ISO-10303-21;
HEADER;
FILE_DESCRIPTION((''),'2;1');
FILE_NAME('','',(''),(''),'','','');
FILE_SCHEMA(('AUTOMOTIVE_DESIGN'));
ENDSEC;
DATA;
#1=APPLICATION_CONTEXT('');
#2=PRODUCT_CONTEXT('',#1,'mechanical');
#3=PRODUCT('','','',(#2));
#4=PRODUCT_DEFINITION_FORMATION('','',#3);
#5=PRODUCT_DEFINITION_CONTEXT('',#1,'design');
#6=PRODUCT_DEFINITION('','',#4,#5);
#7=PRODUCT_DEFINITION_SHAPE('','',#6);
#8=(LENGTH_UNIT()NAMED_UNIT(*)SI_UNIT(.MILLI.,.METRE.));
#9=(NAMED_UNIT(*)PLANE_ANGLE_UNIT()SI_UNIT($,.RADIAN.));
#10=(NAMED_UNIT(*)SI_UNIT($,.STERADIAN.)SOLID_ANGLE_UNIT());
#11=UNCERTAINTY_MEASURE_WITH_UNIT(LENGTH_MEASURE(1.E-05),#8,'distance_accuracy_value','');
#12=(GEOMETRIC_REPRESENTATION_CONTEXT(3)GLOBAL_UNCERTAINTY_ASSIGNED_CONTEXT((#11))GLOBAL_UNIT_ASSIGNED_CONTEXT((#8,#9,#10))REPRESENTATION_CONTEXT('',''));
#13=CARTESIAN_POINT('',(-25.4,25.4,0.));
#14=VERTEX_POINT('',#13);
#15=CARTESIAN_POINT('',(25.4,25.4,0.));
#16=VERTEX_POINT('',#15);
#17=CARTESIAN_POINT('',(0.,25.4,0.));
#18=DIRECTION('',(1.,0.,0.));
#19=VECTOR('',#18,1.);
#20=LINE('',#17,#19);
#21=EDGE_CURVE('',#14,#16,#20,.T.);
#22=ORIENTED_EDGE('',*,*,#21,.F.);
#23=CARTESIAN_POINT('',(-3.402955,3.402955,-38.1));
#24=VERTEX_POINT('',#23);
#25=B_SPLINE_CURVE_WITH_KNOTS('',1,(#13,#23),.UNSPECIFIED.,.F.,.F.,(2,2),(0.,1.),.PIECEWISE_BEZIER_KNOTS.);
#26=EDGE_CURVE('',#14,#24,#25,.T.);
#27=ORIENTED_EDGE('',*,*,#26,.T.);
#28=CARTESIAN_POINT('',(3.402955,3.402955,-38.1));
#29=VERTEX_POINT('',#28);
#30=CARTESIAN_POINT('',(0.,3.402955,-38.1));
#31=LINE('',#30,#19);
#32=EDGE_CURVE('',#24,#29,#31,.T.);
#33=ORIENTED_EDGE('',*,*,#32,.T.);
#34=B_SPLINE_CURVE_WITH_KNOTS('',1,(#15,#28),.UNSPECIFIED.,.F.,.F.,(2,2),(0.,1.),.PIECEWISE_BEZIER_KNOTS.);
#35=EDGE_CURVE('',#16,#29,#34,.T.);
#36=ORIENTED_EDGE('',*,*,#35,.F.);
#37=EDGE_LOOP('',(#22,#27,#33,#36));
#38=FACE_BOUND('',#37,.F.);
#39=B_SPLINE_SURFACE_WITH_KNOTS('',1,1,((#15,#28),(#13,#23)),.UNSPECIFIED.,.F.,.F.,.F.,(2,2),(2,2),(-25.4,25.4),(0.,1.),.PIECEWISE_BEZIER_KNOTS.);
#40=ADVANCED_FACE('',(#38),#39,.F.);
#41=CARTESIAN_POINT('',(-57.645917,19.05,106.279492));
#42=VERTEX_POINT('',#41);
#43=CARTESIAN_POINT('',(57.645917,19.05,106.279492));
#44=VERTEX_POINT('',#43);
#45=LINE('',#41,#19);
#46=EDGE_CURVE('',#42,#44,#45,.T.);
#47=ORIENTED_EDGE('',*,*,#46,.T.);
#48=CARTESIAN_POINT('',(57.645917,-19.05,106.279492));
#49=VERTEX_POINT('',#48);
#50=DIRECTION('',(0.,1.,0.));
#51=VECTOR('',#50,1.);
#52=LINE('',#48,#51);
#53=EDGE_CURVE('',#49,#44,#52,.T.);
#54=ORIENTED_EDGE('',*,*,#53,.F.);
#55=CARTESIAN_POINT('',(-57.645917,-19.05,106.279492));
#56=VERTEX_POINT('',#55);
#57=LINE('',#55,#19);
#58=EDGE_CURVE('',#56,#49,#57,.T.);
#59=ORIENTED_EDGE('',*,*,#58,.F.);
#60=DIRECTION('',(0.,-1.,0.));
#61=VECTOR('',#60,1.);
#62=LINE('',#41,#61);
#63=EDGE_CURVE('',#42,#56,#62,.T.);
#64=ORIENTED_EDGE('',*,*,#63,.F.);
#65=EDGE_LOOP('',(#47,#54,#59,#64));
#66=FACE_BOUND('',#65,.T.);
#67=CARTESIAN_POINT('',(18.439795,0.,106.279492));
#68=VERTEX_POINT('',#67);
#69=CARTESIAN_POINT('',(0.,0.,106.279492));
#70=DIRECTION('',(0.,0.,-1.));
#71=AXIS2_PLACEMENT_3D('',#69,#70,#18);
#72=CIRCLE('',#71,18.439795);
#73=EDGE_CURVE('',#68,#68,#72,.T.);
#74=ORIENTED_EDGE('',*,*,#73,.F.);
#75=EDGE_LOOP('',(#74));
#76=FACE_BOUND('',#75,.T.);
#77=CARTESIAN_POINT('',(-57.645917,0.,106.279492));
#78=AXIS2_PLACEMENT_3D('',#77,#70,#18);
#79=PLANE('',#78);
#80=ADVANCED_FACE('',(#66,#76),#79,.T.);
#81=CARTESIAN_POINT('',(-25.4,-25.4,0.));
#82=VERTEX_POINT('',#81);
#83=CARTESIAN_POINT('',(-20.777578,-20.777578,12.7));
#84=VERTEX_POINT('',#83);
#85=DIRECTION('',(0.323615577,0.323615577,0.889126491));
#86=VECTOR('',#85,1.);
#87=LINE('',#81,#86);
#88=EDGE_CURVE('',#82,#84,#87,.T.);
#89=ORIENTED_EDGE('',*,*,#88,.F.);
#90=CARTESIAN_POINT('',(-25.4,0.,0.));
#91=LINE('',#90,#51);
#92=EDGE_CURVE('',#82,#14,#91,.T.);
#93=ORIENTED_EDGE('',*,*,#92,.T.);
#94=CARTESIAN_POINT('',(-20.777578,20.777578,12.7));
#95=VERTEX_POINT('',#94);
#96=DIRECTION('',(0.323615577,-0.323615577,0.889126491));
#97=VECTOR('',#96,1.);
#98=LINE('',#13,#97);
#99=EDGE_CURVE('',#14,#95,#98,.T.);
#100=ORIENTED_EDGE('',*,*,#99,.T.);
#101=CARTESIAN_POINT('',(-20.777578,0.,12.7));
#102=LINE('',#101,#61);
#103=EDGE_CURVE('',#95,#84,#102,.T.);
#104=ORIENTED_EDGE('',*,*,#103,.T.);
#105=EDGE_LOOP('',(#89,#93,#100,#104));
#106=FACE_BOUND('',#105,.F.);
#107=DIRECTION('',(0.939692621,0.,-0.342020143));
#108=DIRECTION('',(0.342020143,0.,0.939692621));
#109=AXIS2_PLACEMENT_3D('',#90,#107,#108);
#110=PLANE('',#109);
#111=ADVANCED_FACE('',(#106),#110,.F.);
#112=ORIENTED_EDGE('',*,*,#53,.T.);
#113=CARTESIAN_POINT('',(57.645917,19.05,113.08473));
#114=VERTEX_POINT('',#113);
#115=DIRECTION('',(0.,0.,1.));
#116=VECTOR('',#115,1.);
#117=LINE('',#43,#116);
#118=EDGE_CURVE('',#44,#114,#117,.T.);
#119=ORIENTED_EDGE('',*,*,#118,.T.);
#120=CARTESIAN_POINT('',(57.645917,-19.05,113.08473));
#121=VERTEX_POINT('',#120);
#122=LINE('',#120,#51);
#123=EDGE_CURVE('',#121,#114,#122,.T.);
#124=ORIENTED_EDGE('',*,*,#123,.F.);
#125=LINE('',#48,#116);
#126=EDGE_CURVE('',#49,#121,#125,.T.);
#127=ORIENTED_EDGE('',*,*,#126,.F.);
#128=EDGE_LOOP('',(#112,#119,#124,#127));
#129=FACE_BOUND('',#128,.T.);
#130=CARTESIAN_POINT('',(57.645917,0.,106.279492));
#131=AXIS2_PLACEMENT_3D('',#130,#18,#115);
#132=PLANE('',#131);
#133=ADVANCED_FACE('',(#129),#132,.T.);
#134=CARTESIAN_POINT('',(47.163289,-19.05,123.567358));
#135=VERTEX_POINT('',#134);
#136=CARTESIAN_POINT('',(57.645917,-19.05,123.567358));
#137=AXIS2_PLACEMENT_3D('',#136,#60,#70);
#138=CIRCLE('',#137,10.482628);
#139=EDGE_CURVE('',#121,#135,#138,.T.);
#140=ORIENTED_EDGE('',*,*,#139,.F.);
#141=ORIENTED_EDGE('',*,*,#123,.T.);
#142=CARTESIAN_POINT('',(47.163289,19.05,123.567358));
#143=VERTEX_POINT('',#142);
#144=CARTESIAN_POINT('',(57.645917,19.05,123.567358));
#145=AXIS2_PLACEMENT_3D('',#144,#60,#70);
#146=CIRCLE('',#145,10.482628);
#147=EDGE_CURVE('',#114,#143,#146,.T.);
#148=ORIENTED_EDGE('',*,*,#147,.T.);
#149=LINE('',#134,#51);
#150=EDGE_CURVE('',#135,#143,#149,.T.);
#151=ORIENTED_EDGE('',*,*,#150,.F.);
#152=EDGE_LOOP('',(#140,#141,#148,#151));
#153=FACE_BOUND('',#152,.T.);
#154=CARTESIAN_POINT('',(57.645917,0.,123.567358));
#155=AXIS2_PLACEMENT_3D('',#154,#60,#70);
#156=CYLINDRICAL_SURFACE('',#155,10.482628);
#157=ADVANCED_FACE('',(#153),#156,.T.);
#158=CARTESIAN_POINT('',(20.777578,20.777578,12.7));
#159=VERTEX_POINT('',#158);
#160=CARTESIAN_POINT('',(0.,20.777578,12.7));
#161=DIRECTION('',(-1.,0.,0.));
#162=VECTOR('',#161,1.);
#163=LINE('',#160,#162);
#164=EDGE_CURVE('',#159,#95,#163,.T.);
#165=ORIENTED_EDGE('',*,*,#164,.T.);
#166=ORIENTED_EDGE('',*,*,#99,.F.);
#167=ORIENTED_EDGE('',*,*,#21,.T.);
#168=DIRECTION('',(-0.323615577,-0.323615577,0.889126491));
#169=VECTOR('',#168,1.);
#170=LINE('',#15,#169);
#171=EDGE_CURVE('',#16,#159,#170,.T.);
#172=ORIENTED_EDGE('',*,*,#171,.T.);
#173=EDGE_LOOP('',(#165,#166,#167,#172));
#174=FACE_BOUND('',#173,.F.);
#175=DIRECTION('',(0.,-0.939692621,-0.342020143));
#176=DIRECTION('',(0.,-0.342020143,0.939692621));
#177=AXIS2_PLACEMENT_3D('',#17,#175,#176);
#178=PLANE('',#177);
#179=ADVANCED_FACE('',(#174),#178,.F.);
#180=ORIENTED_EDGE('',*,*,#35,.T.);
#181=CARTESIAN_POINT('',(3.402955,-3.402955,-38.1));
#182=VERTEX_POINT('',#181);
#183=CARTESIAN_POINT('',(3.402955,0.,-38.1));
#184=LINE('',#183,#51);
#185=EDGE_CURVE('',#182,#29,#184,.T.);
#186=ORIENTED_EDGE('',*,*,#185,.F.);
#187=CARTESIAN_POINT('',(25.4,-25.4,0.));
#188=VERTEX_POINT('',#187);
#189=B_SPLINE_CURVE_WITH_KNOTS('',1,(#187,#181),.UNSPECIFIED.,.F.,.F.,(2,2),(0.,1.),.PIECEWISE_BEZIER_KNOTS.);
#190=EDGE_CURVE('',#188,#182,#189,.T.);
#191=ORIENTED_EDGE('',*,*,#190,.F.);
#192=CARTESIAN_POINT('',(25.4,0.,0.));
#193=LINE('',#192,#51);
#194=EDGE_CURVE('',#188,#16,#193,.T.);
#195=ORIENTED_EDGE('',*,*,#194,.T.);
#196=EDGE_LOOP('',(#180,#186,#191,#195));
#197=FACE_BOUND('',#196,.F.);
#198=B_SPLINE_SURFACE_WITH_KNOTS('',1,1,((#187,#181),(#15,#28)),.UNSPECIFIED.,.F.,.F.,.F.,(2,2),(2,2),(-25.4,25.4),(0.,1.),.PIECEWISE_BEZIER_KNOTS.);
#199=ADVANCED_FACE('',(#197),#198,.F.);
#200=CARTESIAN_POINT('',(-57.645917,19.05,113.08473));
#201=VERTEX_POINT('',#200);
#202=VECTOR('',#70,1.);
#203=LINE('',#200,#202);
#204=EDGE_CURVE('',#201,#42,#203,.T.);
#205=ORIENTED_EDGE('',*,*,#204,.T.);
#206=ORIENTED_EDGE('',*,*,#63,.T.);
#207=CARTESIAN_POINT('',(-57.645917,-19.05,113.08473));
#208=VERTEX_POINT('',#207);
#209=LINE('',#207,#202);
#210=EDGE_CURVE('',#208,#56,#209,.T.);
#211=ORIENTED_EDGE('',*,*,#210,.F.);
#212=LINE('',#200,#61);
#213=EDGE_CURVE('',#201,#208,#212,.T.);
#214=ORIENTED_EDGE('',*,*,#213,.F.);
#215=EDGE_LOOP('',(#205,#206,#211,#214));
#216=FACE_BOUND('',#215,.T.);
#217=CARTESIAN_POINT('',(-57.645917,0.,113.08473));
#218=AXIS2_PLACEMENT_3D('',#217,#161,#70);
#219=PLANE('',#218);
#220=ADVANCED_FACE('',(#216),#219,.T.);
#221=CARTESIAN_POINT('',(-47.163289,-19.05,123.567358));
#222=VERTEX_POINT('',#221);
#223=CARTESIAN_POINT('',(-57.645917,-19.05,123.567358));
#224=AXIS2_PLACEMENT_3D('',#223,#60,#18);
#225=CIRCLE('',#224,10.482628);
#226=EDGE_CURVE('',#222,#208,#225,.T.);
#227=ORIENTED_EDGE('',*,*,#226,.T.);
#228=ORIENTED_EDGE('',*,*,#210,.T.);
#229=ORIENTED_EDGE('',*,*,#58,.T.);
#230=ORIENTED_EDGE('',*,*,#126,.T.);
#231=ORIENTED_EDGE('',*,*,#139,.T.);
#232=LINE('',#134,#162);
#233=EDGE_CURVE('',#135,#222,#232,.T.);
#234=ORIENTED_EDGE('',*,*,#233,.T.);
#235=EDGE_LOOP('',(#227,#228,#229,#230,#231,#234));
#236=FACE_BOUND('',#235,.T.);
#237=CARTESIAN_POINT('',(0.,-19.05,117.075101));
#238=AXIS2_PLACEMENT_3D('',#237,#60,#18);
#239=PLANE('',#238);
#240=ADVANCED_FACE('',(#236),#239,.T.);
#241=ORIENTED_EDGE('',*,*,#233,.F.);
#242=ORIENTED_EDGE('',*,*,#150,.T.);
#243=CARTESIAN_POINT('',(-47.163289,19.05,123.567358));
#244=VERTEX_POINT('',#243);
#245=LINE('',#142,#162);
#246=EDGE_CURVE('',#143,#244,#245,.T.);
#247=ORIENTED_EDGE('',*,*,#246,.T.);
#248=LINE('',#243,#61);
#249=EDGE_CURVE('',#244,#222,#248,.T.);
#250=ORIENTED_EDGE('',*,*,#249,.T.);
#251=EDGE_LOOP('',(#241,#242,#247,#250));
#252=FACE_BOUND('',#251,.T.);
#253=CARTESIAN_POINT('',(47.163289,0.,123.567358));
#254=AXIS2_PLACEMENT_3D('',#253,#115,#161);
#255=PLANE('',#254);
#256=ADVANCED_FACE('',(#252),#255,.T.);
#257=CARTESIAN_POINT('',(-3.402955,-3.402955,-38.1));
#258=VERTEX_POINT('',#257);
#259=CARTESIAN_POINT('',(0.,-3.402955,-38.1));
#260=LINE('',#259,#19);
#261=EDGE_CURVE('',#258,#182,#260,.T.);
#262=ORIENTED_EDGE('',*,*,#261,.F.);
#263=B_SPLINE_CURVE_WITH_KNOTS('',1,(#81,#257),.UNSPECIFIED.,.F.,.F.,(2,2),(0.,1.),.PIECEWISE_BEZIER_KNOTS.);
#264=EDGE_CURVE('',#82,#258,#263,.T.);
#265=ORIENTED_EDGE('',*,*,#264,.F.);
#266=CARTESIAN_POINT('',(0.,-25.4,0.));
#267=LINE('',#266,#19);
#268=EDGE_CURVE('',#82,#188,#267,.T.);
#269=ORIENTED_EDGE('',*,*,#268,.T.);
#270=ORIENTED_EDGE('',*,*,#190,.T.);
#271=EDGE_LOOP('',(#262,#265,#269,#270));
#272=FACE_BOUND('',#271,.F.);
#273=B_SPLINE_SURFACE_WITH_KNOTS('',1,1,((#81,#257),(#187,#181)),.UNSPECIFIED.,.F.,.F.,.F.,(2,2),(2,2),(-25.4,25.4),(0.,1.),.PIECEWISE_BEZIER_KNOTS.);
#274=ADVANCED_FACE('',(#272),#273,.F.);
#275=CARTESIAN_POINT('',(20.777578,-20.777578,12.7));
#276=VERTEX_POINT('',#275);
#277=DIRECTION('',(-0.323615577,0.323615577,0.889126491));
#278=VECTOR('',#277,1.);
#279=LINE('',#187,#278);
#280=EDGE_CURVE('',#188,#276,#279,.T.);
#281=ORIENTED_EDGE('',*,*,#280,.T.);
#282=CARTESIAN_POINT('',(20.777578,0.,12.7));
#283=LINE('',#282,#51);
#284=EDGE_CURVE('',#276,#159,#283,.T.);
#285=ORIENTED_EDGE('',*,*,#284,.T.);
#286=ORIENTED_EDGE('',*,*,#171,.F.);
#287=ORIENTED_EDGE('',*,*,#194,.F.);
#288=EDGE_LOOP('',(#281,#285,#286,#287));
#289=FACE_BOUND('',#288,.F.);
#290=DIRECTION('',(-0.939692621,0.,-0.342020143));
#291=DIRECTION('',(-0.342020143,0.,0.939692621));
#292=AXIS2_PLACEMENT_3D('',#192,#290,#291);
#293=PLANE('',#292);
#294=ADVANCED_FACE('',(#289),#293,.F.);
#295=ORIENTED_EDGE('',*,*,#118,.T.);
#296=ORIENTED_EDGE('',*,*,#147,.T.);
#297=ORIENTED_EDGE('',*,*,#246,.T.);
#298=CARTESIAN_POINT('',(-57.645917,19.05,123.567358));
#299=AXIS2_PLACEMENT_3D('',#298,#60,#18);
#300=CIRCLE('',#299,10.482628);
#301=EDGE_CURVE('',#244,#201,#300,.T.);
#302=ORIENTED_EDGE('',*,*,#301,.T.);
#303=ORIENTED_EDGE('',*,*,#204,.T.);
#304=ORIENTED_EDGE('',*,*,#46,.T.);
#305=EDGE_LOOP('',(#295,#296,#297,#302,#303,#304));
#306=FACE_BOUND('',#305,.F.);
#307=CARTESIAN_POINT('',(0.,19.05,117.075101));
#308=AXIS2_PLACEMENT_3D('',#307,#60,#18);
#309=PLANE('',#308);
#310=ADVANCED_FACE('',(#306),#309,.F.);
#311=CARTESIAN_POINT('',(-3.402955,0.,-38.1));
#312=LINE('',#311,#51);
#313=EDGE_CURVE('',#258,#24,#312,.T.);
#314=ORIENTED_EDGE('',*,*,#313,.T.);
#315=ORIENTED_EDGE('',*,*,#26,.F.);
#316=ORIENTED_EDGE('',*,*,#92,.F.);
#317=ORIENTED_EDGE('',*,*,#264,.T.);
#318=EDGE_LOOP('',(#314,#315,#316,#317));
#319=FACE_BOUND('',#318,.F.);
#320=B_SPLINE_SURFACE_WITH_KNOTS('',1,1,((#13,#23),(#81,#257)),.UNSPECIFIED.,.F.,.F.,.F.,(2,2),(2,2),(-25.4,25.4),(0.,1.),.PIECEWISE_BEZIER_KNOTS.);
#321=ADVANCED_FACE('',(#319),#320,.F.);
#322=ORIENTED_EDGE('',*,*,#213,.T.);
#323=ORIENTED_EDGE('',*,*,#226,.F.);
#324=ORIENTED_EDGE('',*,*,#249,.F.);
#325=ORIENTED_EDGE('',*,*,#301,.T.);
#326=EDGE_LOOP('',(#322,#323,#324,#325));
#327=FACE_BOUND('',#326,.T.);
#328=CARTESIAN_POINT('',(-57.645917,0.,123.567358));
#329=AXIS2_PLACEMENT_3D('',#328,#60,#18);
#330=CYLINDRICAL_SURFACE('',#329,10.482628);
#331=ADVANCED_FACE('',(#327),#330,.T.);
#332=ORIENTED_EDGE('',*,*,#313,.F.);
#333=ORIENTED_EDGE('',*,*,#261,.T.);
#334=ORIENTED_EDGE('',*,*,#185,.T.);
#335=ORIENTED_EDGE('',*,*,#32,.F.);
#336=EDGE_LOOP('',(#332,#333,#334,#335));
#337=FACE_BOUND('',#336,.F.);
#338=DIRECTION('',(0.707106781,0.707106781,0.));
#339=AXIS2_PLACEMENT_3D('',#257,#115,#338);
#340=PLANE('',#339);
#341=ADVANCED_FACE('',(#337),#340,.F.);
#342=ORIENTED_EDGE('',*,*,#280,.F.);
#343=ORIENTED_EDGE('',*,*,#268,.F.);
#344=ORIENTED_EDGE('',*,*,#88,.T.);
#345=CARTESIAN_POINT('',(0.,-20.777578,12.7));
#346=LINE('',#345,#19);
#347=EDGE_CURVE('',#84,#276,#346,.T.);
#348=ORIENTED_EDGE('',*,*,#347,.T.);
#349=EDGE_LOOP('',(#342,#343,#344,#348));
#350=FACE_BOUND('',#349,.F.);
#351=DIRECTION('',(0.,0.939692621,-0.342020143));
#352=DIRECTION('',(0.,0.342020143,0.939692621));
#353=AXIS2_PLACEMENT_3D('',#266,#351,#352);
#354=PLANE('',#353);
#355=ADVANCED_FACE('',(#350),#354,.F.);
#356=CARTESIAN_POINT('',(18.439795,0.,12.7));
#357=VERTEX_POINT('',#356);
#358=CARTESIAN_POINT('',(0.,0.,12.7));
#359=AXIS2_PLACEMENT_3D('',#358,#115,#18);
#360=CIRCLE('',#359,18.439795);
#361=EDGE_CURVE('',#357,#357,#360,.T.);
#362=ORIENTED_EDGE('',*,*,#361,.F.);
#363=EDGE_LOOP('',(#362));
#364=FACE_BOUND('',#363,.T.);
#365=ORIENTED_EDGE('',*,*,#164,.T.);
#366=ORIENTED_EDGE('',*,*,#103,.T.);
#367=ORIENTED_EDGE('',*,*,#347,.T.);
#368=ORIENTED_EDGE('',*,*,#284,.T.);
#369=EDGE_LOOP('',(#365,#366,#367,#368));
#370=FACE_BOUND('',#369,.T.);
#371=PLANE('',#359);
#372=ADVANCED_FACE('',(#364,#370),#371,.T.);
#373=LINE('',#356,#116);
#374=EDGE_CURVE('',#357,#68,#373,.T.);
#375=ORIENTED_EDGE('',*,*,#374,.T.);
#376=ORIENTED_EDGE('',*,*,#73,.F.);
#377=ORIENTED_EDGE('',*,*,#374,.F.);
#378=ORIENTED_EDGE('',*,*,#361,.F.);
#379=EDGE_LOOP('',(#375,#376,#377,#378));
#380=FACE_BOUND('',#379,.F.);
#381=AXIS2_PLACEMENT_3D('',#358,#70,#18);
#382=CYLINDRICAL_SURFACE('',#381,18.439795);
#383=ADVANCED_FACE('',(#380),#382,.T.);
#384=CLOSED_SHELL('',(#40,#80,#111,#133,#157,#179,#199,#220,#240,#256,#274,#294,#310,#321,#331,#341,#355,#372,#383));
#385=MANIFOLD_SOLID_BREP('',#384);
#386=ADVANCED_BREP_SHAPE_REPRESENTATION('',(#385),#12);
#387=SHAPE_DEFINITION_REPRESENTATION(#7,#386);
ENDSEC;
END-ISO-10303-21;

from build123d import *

# Parameters (mm, degrees)
F0_W      = 50.8
F0_H      = 50.8
F1_DEPTH  = 38.1
F1_TAPER  = 30
F1_FACE_W = 50.8
F1_FACE_H = 50.8
F2_DEPTH  = 12.7
F2_TAPER  = 20
F3_R      = 18.4397946344
F4_DEPTH  = 101.6
F6_DEPTH  = 19.05
F7_DEPTH  = 19.05


with BuildPart() as f1:
    # F0 (on Top) → F1 (new body)
    with BuildSketch(Plane.XY):
        Rectangle(F0_W, F0_H)
    extrude(amount=-F1_DEPTH, taper=F1_TAPER)

    # F1_face (on face) → F2 (join)
    with BuildSketch(Plane.XY):
        Rectangle(F1_FACE_W, F1_FACE_H)
    extrude(amount=F2_DEPTH, taper=F2_TAPER)

    # F3 (on face) → F4 (join)
    with BuildSketch(Plane.XY.offset(12.7)):
        Circle(F3_R)
    extrude(amount=F4_DEPTH)

    # F5 (on Front) → F6 (join, symmetric)
    with BuildSketch(Plane.XZ):
        with BuildLine():
            Line((47.1632888286, 123.5673576593), (-47.1632888286, 123.5673576593))
            ThreePointArc((-47.1632888286, 123.5673576593), (-65.0582543601, 130.9796950807), (-57.6459169388, 113.0847295492))
            Line((-57.6459169388, 113.0847295492), (-57.6459169388, 106.2794923782))
            Line((-57.6459169388, 106.2794923782), (57.6459169388, 106.2794923782))
            Line((57.6459169388, 106.2794923782), (57.6459169388, 113.0847295492))
            ThreePointArc((57.6459169388, 113.0847295492), (65.0582543601, 130.9796950807), (47.1632888286, 123.5673576593))
        make_face()
    extrude(amount=F6_DEPTH, both=True)

    # F5 (on Front) → F7 (join, symmetric)
    with BuildSketch(Plane.XZ):
        with BuildLine():
            Line((47.1632888286, 123.5673576593), (-47.1632888286, 123.5673576593))
            ThreePointArc((-47.1632888286, 123.5673576593), (-65.0582543601, 130.9796950807), (-57.6459169388, 113.0847295492))
            Line((-57.6459169388, 113.0847295492), (-57.6459169388, 106.2794923782))
            Line((-57.6459169388, 106.2794923782), (57.6459169388, 106.2794923782))
            Line((57.6459169388, 106.2794923782), (57.6459169388, 113.0847295492))
            ThreePointArc((57.6459169388, 113.0847295492), (65.0582543601, 130.9796950807), (47.1632888286, 123.5673576593))
        make_face()
    extrude(amount=F7_DEPTH, both=True)


solid = f1.part
